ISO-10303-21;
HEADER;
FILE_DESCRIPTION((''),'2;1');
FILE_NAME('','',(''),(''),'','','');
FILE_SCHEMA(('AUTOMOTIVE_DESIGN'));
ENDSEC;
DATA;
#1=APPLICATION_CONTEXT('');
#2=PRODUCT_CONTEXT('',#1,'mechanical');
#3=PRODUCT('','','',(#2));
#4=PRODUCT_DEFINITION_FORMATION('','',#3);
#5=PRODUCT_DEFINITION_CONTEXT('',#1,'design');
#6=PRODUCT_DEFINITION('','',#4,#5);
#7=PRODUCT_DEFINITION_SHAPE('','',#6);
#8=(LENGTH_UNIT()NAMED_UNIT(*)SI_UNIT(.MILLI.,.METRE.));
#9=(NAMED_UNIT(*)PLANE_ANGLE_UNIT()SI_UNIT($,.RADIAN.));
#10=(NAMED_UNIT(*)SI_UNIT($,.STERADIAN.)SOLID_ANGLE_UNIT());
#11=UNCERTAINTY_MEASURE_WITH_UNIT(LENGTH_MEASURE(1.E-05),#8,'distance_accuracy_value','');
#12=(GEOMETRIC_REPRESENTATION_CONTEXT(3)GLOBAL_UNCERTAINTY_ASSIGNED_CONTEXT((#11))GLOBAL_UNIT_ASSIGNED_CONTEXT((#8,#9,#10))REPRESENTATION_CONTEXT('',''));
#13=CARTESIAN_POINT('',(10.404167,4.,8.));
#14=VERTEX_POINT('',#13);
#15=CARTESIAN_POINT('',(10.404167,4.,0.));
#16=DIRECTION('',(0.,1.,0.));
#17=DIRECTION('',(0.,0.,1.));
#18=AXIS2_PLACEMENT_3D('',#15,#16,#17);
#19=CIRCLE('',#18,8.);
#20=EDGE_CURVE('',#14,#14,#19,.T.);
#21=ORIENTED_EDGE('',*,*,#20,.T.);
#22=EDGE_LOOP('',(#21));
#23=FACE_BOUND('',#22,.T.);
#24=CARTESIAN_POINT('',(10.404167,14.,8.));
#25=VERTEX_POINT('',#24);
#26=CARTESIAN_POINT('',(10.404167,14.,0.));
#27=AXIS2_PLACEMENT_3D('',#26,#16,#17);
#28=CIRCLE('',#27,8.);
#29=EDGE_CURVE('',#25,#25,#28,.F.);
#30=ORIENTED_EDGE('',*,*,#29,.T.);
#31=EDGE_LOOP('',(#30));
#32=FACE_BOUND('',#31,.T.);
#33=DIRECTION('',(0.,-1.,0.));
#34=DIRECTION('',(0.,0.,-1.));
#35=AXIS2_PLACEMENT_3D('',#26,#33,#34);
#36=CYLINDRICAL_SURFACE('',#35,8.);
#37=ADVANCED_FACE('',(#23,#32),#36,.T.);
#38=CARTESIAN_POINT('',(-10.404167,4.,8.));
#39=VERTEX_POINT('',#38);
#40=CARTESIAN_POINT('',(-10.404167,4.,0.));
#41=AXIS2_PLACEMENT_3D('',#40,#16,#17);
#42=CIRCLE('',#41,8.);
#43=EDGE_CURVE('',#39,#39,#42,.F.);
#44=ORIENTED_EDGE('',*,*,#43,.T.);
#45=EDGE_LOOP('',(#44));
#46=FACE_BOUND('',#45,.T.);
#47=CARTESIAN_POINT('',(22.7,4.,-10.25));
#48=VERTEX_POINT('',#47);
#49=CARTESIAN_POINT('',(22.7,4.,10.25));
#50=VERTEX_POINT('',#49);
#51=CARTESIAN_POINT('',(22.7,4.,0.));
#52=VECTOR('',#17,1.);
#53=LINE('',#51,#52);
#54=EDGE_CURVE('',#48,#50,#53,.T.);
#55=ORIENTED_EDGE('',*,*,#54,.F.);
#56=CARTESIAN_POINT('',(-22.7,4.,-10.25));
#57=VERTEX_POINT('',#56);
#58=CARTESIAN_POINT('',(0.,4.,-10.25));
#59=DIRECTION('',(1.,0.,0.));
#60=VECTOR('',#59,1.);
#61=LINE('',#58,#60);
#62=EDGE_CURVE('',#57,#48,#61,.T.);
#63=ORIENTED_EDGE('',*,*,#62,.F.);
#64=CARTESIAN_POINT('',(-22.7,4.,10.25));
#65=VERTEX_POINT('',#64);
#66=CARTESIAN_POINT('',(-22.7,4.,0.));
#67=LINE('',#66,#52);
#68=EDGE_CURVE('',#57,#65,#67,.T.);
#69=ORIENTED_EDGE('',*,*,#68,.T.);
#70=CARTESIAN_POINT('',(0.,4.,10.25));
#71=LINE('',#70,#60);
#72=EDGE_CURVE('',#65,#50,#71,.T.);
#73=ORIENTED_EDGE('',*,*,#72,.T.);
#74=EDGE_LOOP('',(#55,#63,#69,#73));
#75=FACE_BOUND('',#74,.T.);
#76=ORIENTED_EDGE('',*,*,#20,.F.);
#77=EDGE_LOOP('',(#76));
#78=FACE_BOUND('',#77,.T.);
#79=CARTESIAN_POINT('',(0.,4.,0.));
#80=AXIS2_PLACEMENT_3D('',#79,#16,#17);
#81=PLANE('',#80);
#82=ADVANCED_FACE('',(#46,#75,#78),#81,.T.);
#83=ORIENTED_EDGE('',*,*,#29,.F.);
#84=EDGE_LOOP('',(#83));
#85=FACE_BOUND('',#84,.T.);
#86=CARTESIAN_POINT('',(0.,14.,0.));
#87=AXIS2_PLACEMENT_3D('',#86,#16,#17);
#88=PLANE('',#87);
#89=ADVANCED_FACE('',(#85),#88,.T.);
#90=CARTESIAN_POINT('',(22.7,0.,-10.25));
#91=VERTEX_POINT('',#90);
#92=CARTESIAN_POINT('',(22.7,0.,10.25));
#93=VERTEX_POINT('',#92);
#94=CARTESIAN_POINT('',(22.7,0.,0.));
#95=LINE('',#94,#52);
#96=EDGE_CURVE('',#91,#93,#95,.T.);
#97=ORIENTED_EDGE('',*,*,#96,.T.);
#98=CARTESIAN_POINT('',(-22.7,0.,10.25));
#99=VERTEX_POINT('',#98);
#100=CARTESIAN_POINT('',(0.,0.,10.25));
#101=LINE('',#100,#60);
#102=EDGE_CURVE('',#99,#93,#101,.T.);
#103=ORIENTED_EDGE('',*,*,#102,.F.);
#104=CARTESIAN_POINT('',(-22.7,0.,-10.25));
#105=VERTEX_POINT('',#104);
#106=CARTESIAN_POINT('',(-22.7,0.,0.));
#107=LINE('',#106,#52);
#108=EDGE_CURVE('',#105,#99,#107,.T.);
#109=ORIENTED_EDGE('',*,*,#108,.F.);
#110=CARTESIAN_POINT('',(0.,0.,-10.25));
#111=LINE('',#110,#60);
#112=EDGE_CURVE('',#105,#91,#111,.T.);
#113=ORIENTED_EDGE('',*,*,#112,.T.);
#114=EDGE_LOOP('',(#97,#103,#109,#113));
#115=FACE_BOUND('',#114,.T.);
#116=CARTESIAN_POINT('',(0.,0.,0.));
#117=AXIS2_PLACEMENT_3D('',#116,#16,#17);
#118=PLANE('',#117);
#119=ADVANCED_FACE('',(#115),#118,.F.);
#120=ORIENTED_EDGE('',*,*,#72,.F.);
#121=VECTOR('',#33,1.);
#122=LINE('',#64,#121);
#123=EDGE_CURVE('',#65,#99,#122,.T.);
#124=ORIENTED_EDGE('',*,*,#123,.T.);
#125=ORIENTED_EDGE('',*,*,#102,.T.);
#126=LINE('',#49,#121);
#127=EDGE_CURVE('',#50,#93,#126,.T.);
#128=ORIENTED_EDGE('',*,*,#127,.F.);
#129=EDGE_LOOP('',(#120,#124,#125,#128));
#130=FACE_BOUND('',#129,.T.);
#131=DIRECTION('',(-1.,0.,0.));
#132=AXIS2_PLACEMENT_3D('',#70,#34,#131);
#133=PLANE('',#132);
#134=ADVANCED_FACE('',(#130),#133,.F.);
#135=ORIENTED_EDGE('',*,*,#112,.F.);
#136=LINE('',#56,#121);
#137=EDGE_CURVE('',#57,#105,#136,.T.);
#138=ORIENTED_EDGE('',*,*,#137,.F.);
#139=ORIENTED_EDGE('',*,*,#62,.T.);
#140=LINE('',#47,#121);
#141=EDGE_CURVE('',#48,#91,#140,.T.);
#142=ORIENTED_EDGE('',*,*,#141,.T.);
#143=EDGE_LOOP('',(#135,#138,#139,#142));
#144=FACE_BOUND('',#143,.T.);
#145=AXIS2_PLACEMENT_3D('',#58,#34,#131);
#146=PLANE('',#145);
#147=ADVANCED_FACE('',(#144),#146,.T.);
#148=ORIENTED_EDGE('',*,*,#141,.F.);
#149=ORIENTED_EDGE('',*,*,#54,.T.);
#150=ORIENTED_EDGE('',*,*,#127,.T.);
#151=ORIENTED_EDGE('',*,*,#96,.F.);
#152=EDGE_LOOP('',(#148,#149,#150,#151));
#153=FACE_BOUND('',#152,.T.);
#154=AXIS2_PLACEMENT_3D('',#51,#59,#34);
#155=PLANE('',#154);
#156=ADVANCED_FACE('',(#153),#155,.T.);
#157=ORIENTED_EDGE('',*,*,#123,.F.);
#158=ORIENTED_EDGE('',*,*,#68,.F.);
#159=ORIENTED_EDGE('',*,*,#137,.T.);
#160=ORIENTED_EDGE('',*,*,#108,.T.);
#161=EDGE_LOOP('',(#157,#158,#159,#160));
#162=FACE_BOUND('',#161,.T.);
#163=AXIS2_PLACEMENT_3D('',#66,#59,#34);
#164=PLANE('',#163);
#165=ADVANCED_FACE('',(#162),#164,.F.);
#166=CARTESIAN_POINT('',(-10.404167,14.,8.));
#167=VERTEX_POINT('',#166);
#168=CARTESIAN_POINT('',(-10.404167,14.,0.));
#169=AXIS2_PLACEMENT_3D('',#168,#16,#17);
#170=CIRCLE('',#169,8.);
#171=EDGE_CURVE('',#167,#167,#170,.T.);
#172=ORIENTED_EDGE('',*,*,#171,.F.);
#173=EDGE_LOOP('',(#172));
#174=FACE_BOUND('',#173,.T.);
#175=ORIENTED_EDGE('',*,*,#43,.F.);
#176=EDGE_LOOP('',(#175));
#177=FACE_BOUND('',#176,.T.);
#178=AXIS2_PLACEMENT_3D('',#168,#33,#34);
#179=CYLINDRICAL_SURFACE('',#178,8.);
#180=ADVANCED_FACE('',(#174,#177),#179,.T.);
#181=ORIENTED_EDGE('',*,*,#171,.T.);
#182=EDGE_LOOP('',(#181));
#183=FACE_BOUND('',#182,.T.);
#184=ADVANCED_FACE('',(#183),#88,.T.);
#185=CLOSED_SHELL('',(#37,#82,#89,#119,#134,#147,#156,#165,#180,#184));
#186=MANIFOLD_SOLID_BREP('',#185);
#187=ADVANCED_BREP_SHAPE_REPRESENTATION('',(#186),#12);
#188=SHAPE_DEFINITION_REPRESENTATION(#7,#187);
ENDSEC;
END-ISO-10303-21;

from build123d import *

# Parameters (mm, degrees)
SKETCH_1_W      = 45.4
SKETCH_1_H      = 20.5
EXTRUDE_3_DEPTH = 4
SKETCH_1_5_R    = 8
EXTRUDE_4_DEPTH = 14


with BuildPart() as part:
    # 草圖1 → 填料-伸長3 (new body)
    with BuildSketch(Plane(origin=(0, 0, 0), x_dir=(1, 0, 0), z_dir=(0, 1, 0))):
        Rectangle(SKETCH_1_W, SKETCH_1_H)
    extrude(amount=EXTRUDE_3_DEPTH)

    # 草圖1<5> → 填料-伸長4 (add)
    with BuildSketch(Plane(origin=(0, 0, 0), x_dir=(1, 0, 0), z_dir=(0, 1, 0))):
        with Locations((-10.404166667, 0)):
            Circle(SKETCH_1_5_R)
        with Locations((10.404166667, 0)):
            Circle(SKETCH_1_5_R)
    extrude(amount=EXTRUDE_4_DEPTH)


solid = part.part
